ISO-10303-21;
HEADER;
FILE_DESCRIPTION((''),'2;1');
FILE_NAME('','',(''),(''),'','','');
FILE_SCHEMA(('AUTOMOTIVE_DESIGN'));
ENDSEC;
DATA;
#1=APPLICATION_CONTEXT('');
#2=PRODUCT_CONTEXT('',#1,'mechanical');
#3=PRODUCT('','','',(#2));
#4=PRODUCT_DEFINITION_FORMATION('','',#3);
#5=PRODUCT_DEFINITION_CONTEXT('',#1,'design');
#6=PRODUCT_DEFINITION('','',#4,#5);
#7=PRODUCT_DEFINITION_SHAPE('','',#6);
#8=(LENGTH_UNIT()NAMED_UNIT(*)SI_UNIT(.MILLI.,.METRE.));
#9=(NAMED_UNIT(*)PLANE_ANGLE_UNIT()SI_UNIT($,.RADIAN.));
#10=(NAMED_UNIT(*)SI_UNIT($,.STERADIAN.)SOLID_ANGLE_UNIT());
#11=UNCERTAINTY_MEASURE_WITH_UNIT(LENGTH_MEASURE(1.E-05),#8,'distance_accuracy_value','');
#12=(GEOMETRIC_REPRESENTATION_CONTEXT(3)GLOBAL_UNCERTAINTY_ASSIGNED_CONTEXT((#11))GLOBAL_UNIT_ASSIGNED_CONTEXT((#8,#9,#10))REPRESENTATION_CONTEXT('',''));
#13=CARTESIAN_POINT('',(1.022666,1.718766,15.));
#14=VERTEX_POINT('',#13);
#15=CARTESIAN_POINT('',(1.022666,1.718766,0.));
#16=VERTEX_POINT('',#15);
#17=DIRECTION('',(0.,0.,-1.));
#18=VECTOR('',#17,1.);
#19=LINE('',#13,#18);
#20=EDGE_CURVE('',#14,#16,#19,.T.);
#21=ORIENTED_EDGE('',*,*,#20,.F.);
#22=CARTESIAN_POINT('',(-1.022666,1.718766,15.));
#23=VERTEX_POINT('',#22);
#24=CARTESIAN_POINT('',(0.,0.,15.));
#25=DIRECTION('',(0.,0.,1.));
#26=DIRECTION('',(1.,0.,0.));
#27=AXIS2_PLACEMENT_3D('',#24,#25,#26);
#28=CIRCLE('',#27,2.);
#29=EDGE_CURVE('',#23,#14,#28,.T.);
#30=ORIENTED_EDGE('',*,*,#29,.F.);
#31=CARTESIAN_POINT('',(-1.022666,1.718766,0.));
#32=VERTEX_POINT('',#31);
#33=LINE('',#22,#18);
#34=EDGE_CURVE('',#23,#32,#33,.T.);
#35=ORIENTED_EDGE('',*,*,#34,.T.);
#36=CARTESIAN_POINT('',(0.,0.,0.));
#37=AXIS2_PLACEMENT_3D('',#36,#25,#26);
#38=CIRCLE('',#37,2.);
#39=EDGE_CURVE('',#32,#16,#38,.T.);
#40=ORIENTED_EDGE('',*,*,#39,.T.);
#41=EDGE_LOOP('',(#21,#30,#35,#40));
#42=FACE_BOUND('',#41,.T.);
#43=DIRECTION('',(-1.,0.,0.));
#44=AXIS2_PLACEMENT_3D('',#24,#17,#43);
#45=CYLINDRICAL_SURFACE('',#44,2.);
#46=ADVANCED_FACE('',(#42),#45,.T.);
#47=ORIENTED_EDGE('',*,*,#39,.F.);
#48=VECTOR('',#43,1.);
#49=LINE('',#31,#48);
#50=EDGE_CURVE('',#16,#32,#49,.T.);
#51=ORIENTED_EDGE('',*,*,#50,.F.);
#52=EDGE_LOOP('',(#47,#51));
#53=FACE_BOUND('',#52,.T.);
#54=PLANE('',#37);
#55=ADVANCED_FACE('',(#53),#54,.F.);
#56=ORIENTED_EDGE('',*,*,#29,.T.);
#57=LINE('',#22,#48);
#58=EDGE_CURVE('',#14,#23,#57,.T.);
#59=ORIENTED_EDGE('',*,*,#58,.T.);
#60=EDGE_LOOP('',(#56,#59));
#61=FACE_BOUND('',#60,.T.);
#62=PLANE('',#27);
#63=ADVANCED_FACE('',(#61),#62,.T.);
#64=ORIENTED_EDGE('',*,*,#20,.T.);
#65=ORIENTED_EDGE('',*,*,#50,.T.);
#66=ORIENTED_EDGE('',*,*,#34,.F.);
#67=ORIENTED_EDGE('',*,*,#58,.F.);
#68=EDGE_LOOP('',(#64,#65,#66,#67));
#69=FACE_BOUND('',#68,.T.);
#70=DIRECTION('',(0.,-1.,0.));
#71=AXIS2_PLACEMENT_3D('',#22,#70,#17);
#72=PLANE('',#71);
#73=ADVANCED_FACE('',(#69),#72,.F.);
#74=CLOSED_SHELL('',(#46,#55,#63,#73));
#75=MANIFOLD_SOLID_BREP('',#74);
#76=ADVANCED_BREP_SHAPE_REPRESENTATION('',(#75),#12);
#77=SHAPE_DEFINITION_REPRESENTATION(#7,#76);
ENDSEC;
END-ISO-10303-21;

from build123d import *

# Parameters (mm, degrees)
BOSS_EXTRUDE1_DEPTH = 15


with BuildPart() as part:
    # Sketch1 → Boss-Extrude1 (new body)
    with BuildSketch(Plane.XY):
        with BuildLine():
            Line((-1.022665535, 1.718765605), (1.022665535, 1.718765605))
            ThreePointArc((1.022665535, 1.718765605), (0, -2), (-1.022665535, 1.718765605))
        make_face()
    extrude(amount=BOSS_EXTRUDE1_DEPTH)


solid = part.part
